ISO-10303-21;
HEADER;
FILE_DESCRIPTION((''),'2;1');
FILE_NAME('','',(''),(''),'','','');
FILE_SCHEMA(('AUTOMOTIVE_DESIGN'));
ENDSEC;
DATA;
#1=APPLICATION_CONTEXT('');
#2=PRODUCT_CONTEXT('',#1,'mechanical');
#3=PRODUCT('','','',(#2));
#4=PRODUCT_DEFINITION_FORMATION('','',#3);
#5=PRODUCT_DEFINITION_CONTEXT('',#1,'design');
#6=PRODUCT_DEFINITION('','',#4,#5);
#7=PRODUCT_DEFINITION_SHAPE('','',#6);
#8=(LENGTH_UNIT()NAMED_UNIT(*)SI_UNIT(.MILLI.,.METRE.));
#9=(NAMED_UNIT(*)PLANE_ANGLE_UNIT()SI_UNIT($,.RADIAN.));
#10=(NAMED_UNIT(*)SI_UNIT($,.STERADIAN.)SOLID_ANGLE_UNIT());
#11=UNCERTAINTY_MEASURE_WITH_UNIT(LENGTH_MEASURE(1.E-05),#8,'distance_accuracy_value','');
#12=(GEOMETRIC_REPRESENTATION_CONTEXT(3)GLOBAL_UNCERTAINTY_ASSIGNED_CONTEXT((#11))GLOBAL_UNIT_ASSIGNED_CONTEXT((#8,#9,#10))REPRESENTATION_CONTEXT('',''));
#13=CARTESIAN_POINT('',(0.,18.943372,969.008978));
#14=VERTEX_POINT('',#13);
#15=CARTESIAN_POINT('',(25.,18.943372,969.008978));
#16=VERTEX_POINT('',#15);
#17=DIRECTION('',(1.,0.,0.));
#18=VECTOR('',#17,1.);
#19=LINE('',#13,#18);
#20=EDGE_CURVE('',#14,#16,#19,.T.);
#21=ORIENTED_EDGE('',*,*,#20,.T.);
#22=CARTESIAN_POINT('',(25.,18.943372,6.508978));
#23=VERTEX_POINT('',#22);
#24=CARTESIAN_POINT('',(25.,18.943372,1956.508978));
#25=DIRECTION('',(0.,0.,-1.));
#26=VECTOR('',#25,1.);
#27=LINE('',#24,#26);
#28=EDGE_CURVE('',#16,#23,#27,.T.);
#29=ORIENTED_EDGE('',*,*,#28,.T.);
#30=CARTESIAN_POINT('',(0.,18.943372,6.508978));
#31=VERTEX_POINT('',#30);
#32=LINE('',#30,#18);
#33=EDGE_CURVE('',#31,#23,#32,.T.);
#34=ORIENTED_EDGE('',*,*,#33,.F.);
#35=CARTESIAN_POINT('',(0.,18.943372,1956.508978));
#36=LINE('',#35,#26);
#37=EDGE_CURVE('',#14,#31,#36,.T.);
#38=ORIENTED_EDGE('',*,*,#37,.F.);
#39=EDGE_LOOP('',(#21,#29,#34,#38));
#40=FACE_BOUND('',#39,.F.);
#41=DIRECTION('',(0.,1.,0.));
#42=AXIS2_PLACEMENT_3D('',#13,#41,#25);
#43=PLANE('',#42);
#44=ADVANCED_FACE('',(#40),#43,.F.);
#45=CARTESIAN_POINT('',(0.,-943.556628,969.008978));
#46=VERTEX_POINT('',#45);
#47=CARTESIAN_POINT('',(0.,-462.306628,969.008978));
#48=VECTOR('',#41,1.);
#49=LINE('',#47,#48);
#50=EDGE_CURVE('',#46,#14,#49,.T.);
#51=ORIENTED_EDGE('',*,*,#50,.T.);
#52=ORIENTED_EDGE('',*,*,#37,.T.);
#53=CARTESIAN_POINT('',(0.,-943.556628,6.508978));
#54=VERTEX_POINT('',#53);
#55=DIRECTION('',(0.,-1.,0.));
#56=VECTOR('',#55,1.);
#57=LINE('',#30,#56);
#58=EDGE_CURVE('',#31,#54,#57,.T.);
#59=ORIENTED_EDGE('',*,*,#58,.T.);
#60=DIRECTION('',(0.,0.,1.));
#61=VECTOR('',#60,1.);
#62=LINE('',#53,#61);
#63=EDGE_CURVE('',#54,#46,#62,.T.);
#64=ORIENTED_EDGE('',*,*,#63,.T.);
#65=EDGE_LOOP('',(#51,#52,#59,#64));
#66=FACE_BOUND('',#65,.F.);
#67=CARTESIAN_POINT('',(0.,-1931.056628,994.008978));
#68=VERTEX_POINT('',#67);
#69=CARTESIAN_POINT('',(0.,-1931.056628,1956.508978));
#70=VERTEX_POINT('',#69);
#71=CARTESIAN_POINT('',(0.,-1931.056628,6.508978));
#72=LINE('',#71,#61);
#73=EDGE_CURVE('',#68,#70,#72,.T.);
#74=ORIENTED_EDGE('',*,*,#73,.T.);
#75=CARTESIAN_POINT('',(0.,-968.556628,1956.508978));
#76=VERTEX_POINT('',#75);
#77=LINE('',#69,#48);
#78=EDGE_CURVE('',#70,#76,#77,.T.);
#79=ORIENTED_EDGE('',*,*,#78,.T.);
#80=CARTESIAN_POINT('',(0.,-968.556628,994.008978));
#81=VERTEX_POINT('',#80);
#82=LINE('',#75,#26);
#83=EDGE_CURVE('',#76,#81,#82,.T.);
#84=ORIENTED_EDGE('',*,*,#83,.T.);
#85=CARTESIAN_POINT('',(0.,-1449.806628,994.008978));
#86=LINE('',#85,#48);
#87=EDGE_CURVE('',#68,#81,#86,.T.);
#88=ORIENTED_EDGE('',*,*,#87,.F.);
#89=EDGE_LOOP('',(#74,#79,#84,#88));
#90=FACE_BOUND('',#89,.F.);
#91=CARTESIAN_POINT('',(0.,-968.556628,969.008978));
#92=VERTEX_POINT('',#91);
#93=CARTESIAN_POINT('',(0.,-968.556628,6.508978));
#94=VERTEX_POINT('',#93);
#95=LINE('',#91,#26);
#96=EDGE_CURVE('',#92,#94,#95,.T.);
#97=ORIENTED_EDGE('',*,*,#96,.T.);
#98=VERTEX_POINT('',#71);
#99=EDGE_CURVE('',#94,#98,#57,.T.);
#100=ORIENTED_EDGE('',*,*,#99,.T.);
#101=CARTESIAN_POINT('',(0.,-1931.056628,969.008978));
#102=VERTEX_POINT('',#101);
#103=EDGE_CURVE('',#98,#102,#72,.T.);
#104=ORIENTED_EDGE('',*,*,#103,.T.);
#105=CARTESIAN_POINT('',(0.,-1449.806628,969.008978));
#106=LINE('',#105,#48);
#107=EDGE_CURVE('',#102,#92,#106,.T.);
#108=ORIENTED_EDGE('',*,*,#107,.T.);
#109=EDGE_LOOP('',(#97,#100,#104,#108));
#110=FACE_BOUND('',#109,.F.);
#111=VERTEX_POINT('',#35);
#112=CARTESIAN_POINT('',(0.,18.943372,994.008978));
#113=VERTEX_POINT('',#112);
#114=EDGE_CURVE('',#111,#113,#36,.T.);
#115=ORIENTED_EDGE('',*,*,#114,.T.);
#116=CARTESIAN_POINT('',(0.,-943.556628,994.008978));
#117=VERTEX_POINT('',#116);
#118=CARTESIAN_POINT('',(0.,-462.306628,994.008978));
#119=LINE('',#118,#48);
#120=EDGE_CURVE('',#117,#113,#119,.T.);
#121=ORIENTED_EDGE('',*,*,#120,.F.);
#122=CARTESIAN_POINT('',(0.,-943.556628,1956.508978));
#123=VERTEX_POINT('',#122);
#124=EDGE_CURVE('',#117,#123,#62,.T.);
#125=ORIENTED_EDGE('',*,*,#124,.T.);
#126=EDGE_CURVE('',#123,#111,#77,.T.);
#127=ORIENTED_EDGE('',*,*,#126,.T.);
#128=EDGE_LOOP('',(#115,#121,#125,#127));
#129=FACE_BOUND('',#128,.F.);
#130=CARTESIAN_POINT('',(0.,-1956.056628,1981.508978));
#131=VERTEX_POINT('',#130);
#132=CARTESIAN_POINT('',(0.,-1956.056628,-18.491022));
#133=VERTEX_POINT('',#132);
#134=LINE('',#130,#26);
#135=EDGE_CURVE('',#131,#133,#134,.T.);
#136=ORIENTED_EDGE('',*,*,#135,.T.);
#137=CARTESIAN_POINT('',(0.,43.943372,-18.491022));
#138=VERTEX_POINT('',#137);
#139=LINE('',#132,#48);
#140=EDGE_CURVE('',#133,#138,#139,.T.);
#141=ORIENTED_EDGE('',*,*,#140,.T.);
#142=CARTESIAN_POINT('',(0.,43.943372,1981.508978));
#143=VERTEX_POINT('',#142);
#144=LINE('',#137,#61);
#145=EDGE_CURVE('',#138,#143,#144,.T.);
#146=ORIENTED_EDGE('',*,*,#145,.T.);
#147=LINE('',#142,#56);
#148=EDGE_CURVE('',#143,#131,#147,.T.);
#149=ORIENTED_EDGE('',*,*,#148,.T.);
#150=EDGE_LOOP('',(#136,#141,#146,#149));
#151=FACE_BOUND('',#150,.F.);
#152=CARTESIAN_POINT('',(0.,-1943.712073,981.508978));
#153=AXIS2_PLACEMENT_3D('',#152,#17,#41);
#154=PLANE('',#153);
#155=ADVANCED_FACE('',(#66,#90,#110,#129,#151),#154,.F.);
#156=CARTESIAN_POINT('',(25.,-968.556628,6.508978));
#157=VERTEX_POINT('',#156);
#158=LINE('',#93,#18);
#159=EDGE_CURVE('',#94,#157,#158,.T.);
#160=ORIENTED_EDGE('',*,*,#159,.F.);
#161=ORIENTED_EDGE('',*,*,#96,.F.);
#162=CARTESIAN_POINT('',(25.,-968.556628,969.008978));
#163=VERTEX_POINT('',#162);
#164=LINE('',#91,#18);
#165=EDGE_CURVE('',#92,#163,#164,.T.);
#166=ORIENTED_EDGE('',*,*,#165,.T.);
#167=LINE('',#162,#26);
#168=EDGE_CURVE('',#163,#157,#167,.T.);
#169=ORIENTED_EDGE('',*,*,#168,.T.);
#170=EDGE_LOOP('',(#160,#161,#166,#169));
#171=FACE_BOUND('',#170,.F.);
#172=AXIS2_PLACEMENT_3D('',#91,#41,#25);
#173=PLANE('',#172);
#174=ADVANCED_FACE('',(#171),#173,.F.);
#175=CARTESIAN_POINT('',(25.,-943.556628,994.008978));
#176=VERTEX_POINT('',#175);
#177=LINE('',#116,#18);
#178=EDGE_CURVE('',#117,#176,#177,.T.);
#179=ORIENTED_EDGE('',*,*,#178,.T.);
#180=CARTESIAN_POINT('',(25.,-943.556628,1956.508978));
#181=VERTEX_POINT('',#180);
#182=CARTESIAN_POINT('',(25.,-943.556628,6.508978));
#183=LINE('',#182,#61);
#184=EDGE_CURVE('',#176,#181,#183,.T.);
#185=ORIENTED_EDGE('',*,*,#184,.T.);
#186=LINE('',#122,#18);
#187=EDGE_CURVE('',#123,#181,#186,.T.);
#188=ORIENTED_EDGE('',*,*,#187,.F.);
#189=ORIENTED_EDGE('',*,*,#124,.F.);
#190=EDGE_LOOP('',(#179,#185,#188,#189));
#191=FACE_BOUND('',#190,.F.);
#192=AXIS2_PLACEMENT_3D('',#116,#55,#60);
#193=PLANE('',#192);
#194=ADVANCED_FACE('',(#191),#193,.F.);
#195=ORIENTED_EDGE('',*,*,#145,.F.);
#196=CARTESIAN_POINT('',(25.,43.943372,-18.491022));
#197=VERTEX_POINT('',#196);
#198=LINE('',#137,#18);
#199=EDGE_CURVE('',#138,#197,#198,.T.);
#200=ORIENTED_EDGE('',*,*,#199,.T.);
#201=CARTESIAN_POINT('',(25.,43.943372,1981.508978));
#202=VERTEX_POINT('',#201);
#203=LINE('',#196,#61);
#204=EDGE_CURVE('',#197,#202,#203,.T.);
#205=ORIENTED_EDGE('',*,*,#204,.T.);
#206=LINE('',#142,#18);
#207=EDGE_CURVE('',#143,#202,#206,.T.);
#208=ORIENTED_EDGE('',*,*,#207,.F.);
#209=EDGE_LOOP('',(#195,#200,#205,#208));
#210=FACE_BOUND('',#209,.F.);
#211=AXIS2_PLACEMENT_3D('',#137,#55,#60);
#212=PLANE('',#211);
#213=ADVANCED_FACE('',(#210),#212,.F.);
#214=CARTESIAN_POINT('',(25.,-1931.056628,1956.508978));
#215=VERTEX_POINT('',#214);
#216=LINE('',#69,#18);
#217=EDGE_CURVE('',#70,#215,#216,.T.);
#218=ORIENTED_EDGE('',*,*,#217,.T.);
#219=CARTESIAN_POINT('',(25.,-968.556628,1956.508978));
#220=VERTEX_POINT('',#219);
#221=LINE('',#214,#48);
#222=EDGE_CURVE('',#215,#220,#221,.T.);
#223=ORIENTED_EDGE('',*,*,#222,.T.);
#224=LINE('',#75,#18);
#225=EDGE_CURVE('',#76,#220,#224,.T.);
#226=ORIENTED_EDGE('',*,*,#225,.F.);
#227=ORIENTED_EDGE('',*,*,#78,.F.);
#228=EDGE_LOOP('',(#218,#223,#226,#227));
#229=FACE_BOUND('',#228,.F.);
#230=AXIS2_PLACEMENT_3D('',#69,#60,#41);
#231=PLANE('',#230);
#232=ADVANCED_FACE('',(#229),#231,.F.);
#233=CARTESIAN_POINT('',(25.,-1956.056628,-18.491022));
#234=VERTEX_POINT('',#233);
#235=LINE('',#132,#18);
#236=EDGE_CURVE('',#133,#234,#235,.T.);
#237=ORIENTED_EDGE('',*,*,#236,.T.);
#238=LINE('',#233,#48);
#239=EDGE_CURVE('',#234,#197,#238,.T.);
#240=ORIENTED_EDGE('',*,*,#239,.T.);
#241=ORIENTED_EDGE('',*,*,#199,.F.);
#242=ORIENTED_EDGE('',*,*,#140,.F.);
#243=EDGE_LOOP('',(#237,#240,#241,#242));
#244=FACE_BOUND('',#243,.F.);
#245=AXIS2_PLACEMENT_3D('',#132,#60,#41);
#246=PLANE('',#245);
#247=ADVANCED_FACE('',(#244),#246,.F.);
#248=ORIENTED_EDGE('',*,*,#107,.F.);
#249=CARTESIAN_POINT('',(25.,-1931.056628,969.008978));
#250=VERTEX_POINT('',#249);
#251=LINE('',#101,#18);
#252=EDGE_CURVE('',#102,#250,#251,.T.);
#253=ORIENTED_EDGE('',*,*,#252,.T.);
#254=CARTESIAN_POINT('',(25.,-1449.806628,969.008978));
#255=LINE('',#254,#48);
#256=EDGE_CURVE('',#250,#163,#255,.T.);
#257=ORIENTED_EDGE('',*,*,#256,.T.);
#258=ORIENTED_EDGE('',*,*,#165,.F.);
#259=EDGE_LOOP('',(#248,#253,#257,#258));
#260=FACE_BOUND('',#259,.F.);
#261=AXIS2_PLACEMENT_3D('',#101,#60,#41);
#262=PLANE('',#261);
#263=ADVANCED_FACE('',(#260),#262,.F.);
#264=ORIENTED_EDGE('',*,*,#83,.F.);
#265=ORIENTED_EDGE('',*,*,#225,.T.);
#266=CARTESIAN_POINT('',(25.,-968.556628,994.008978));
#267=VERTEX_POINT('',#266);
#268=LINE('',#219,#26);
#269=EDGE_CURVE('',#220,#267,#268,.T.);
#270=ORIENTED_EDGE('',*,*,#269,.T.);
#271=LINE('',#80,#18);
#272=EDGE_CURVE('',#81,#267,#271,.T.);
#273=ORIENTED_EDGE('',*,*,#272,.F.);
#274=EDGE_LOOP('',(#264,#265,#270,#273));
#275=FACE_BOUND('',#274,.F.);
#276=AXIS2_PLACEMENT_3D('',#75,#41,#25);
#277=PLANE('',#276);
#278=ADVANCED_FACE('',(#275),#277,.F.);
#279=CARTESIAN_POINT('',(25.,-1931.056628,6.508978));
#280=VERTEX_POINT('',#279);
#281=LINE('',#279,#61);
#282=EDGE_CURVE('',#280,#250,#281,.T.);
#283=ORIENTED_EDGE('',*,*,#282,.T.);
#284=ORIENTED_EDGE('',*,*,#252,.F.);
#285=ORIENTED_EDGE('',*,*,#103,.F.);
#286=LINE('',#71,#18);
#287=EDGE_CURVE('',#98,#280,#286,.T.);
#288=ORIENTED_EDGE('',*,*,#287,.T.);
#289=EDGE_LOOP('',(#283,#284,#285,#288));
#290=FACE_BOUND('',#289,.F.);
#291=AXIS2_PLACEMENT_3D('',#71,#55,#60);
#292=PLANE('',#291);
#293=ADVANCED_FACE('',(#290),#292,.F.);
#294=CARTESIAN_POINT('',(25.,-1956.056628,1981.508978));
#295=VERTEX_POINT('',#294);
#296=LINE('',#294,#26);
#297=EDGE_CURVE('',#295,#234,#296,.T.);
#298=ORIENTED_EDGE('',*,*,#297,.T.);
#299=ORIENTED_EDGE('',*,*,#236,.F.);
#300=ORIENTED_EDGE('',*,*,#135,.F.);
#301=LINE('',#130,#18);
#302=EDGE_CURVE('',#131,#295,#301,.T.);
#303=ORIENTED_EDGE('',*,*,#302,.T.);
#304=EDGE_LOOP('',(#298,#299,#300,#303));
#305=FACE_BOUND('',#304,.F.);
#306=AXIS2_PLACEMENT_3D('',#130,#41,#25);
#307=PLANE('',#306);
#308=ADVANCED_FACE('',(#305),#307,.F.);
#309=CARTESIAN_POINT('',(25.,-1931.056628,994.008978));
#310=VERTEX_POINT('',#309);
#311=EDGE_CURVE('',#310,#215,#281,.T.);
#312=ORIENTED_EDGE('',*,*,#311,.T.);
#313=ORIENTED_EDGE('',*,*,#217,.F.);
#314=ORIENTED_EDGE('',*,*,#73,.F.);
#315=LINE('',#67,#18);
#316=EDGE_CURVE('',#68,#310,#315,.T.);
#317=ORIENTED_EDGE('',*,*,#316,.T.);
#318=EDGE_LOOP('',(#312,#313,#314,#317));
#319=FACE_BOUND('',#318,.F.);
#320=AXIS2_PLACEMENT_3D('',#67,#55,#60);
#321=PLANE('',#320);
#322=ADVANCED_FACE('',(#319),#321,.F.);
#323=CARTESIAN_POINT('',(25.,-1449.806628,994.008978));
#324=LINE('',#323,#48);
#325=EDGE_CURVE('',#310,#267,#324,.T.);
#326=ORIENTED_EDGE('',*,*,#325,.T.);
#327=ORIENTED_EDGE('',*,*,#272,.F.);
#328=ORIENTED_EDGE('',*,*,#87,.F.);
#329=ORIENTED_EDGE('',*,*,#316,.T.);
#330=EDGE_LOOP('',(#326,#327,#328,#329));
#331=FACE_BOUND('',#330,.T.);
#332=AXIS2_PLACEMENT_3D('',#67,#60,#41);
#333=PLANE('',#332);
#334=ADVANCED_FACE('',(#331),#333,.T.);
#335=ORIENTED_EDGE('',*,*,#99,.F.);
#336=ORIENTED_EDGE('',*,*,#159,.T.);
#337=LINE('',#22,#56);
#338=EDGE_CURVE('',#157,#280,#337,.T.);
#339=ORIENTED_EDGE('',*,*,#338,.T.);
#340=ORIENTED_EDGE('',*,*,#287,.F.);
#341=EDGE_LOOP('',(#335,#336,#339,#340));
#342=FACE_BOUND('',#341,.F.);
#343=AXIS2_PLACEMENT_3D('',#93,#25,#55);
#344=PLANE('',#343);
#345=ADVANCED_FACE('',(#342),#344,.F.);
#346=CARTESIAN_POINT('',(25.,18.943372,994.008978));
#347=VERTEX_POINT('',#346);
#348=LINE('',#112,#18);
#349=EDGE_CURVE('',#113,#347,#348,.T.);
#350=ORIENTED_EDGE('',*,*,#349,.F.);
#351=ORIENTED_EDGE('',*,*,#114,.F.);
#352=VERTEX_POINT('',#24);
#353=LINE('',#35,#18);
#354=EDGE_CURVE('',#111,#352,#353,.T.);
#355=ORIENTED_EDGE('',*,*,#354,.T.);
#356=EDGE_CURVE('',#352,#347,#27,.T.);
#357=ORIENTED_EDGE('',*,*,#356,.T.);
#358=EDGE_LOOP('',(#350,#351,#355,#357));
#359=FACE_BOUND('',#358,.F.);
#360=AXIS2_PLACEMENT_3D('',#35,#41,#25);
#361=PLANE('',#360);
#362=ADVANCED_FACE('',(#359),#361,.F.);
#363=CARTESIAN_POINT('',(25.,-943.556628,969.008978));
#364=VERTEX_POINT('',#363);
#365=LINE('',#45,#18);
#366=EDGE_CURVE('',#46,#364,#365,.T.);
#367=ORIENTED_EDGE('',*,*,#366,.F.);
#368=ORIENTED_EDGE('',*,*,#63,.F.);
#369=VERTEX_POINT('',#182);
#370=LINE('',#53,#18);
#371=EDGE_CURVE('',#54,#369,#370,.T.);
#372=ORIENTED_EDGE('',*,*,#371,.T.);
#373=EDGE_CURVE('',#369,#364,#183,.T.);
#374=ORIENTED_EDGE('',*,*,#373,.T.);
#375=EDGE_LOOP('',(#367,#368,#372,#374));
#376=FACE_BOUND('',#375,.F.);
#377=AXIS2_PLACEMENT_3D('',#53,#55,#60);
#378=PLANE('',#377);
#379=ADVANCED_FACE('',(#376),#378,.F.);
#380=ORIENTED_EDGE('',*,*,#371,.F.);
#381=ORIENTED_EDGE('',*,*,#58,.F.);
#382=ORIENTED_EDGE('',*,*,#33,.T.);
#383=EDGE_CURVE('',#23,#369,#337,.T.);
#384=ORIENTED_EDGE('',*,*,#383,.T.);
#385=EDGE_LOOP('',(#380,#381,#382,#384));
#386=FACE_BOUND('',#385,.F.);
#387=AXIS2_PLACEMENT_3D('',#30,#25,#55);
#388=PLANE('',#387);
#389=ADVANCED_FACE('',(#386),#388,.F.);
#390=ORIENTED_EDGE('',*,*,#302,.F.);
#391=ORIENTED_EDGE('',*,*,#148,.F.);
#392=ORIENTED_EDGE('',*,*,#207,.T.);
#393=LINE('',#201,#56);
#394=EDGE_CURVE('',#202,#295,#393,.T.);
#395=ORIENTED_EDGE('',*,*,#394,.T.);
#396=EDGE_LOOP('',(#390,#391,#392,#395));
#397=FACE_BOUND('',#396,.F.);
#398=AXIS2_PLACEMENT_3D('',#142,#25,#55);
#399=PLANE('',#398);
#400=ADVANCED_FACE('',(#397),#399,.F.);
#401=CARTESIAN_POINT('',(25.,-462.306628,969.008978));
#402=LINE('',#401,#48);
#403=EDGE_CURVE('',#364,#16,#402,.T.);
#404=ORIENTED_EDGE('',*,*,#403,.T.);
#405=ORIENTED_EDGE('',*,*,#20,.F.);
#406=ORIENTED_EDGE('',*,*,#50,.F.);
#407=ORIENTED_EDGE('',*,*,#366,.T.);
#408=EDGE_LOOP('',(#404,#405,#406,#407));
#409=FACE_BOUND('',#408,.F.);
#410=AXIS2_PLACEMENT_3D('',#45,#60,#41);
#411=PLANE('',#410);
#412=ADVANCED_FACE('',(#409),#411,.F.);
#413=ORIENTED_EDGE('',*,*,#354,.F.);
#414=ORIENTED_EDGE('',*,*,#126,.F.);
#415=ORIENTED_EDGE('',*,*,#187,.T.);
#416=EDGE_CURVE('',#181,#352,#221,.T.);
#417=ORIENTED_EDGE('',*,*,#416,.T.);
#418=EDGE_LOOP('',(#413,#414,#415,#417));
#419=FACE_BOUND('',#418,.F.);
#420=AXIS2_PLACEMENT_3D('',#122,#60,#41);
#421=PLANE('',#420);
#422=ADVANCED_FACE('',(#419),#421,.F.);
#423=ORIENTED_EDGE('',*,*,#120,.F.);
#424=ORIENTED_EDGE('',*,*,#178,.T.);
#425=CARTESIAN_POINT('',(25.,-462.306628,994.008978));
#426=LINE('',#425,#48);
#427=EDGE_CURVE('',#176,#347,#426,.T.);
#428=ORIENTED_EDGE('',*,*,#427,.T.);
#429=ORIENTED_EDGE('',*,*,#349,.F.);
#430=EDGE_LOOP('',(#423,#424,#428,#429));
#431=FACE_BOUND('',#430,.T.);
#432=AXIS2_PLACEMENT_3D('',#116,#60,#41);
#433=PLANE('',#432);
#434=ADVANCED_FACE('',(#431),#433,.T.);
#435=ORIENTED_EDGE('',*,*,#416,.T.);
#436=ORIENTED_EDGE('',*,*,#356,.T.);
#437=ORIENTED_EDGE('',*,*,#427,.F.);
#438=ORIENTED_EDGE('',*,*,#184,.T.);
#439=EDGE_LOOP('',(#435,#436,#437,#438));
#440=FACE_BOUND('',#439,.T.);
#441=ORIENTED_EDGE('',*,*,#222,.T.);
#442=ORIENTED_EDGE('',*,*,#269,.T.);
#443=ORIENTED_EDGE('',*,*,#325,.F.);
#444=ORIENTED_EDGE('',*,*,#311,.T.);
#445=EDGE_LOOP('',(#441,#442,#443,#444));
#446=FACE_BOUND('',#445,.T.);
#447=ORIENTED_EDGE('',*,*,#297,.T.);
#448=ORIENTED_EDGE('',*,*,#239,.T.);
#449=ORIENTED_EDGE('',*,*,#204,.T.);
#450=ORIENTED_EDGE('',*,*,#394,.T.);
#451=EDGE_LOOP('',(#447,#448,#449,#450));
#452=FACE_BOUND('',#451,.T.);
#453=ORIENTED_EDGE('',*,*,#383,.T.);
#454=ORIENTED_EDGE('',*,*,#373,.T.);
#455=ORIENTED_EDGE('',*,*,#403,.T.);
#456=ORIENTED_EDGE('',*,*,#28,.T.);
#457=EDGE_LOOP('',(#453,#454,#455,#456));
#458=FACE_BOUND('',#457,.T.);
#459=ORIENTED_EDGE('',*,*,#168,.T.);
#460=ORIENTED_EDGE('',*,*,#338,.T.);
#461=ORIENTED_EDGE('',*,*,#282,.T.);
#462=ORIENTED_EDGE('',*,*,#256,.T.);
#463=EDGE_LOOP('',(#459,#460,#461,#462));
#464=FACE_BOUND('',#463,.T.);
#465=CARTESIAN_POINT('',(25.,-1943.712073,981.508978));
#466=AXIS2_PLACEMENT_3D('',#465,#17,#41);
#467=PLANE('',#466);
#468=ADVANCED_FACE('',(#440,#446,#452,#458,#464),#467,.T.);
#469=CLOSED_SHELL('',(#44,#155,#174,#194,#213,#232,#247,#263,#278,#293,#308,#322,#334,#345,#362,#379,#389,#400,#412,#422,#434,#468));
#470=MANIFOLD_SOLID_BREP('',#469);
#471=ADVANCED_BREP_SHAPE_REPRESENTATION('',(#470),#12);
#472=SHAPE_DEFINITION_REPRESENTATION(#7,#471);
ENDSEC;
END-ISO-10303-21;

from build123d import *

# Parameters (mm, degrees)
F0_W     = 962.5
F0_H     = 25
F1_DEPTH = 25


with BuildPart() as f1:
    # F0 (on Right) → F1 (new body)
    with BuildSketch(Plane.YZ):
        Polygon((-1931.056628, 1956.508978), (-1956.056628, 1981.508978), (-1956.056628, -18.491022), (-1931.056628, 6.508978), (-1931.056628, 969.008978), (-1931.056628, 994.008978), align=None)
        Polygon((43.943372, 1981.508978), (-1956.056628, 1981.508978), (-1931.056628, 1956.508978), (-968.556628, 1956.508978), (-943.556628, 1956.508978), (18.943372, 1956.508978), align=None)
        Polygon((43.943372, -18.491022), (43.943372, 1981.508978), (18.943372, 1956.508978), (18.943372, 994.008978), (18.943372, 969.008978), (18.943372, 6.508978), align=None)
        Polygon((-1931.056628, 6.508978), (-1956.056628, -18.491022), (43.943372, -18.491022), (18.943372, 6.508978), (-943.556628, 6.508978), (-968.556628, 6.508978), align=None)
        with Locations((-1449.806628, 981.508978)):
            Rectangle(F0_W, F0_H)
        Polygon((-943.556628, 1956.508978), (-968.556628, 1956.508978), (-968.556628, 994.008978), (-968.556628, 969.008978), (-968.556628, 6.508978), (-943.556628, 6.508978), (-943.556628, 969.008978), (-943.556628, 994.008978), align=None)
        with Locations((-462.306628, 981.508978)):
            Rectangle(F0_W, F0_H)
    extrude(amount=F1_DEPTH)


solid = f1.part
